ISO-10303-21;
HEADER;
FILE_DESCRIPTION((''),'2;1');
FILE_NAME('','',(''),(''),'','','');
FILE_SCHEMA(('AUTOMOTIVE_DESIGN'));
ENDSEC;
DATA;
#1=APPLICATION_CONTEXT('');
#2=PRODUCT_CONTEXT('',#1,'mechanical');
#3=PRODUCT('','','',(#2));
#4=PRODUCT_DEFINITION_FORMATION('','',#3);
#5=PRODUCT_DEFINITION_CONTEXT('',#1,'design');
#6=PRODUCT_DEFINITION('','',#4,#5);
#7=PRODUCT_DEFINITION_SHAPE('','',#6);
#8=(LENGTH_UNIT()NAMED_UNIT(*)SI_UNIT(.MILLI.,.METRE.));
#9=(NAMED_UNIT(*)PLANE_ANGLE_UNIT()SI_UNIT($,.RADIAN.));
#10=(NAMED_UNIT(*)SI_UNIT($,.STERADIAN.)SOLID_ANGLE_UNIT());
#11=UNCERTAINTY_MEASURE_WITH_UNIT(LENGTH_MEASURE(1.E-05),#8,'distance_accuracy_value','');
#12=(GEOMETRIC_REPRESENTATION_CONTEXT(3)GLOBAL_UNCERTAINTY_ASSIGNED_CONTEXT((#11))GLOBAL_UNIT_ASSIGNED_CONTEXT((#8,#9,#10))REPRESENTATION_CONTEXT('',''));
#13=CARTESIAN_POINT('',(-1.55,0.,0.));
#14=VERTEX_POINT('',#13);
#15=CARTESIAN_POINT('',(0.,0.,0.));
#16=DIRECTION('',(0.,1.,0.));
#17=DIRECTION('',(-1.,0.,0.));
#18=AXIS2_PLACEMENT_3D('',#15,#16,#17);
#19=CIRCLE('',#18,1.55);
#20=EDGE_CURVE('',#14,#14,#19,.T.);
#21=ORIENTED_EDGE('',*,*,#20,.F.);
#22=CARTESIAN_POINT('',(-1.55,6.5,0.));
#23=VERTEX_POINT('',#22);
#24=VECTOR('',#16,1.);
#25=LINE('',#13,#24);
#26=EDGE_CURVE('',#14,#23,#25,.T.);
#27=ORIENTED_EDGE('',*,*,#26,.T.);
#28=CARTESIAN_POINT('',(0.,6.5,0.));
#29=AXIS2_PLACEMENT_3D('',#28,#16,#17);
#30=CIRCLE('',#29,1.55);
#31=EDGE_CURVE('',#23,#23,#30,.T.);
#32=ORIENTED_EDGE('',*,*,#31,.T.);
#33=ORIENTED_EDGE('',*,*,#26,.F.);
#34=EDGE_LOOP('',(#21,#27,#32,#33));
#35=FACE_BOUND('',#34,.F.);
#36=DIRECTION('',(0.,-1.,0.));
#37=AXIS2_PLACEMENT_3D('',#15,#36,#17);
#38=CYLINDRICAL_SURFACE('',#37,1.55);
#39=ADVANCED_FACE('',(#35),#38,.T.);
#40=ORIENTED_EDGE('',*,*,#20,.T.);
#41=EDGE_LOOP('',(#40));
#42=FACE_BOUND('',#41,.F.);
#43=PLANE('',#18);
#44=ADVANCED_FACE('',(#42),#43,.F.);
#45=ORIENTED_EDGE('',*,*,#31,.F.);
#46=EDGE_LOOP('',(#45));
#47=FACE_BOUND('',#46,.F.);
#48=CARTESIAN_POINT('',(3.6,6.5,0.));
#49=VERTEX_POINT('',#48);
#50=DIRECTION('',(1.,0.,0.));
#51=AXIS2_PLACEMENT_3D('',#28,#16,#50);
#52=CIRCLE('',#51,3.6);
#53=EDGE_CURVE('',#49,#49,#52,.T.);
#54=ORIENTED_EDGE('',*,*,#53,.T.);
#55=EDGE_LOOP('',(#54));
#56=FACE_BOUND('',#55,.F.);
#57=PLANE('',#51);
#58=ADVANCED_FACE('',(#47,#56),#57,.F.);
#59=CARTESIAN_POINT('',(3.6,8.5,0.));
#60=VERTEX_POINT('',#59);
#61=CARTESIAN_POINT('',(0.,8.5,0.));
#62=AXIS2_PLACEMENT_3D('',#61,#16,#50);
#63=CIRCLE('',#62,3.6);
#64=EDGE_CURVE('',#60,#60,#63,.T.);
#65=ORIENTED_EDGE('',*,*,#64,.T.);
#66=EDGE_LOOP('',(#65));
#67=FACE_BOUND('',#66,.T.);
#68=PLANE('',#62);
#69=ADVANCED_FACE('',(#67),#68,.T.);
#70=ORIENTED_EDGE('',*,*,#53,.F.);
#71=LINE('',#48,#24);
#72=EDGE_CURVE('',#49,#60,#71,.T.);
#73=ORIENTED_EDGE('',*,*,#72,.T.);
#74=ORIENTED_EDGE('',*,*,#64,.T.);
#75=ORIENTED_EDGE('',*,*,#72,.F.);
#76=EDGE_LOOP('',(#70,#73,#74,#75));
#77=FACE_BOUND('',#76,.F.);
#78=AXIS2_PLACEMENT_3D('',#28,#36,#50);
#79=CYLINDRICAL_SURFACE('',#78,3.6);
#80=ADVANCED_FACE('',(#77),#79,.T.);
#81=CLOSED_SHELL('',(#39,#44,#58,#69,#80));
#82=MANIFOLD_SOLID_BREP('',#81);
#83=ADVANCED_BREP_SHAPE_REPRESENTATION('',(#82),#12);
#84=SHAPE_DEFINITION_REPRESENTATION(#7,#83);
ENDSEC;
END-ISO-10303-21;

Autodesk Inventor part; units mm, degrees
ref_plane "YZ Plane" through (0, 0, 0) normal (1, 0, 0) x (0, 1, 0)
ref_plane "XZ Plane" through (0, 0, 0) normal (0, 1, 0) x (-1, 0, 0)
ref_plane "XY Plane" through (0, 0, 0) normal (0, 0, 1) x (1, 0, 0)
sketch "Sketch1" plane through (0, 0, 0) normal (0, 1, 0) x (-1, 0, 0)
  circle A0 centre (0, 0) radius 1.55
  dimension "d0" = 3.1
extrude "Extrusion1" add sketch "Sketch1" along normal blind 6.5
sketch "Sketch2" plane through (0, 6.5, 0) normal (0, 1, 0) x (1, 0, 0)
  circle A0 centre (0, 0) radius 3.6
  dimension "d3" = 7.2
extrude "Extrusion2" add sketch "Sketch2" along normal blind 2
properties part number "ElasticRetentionPin"
